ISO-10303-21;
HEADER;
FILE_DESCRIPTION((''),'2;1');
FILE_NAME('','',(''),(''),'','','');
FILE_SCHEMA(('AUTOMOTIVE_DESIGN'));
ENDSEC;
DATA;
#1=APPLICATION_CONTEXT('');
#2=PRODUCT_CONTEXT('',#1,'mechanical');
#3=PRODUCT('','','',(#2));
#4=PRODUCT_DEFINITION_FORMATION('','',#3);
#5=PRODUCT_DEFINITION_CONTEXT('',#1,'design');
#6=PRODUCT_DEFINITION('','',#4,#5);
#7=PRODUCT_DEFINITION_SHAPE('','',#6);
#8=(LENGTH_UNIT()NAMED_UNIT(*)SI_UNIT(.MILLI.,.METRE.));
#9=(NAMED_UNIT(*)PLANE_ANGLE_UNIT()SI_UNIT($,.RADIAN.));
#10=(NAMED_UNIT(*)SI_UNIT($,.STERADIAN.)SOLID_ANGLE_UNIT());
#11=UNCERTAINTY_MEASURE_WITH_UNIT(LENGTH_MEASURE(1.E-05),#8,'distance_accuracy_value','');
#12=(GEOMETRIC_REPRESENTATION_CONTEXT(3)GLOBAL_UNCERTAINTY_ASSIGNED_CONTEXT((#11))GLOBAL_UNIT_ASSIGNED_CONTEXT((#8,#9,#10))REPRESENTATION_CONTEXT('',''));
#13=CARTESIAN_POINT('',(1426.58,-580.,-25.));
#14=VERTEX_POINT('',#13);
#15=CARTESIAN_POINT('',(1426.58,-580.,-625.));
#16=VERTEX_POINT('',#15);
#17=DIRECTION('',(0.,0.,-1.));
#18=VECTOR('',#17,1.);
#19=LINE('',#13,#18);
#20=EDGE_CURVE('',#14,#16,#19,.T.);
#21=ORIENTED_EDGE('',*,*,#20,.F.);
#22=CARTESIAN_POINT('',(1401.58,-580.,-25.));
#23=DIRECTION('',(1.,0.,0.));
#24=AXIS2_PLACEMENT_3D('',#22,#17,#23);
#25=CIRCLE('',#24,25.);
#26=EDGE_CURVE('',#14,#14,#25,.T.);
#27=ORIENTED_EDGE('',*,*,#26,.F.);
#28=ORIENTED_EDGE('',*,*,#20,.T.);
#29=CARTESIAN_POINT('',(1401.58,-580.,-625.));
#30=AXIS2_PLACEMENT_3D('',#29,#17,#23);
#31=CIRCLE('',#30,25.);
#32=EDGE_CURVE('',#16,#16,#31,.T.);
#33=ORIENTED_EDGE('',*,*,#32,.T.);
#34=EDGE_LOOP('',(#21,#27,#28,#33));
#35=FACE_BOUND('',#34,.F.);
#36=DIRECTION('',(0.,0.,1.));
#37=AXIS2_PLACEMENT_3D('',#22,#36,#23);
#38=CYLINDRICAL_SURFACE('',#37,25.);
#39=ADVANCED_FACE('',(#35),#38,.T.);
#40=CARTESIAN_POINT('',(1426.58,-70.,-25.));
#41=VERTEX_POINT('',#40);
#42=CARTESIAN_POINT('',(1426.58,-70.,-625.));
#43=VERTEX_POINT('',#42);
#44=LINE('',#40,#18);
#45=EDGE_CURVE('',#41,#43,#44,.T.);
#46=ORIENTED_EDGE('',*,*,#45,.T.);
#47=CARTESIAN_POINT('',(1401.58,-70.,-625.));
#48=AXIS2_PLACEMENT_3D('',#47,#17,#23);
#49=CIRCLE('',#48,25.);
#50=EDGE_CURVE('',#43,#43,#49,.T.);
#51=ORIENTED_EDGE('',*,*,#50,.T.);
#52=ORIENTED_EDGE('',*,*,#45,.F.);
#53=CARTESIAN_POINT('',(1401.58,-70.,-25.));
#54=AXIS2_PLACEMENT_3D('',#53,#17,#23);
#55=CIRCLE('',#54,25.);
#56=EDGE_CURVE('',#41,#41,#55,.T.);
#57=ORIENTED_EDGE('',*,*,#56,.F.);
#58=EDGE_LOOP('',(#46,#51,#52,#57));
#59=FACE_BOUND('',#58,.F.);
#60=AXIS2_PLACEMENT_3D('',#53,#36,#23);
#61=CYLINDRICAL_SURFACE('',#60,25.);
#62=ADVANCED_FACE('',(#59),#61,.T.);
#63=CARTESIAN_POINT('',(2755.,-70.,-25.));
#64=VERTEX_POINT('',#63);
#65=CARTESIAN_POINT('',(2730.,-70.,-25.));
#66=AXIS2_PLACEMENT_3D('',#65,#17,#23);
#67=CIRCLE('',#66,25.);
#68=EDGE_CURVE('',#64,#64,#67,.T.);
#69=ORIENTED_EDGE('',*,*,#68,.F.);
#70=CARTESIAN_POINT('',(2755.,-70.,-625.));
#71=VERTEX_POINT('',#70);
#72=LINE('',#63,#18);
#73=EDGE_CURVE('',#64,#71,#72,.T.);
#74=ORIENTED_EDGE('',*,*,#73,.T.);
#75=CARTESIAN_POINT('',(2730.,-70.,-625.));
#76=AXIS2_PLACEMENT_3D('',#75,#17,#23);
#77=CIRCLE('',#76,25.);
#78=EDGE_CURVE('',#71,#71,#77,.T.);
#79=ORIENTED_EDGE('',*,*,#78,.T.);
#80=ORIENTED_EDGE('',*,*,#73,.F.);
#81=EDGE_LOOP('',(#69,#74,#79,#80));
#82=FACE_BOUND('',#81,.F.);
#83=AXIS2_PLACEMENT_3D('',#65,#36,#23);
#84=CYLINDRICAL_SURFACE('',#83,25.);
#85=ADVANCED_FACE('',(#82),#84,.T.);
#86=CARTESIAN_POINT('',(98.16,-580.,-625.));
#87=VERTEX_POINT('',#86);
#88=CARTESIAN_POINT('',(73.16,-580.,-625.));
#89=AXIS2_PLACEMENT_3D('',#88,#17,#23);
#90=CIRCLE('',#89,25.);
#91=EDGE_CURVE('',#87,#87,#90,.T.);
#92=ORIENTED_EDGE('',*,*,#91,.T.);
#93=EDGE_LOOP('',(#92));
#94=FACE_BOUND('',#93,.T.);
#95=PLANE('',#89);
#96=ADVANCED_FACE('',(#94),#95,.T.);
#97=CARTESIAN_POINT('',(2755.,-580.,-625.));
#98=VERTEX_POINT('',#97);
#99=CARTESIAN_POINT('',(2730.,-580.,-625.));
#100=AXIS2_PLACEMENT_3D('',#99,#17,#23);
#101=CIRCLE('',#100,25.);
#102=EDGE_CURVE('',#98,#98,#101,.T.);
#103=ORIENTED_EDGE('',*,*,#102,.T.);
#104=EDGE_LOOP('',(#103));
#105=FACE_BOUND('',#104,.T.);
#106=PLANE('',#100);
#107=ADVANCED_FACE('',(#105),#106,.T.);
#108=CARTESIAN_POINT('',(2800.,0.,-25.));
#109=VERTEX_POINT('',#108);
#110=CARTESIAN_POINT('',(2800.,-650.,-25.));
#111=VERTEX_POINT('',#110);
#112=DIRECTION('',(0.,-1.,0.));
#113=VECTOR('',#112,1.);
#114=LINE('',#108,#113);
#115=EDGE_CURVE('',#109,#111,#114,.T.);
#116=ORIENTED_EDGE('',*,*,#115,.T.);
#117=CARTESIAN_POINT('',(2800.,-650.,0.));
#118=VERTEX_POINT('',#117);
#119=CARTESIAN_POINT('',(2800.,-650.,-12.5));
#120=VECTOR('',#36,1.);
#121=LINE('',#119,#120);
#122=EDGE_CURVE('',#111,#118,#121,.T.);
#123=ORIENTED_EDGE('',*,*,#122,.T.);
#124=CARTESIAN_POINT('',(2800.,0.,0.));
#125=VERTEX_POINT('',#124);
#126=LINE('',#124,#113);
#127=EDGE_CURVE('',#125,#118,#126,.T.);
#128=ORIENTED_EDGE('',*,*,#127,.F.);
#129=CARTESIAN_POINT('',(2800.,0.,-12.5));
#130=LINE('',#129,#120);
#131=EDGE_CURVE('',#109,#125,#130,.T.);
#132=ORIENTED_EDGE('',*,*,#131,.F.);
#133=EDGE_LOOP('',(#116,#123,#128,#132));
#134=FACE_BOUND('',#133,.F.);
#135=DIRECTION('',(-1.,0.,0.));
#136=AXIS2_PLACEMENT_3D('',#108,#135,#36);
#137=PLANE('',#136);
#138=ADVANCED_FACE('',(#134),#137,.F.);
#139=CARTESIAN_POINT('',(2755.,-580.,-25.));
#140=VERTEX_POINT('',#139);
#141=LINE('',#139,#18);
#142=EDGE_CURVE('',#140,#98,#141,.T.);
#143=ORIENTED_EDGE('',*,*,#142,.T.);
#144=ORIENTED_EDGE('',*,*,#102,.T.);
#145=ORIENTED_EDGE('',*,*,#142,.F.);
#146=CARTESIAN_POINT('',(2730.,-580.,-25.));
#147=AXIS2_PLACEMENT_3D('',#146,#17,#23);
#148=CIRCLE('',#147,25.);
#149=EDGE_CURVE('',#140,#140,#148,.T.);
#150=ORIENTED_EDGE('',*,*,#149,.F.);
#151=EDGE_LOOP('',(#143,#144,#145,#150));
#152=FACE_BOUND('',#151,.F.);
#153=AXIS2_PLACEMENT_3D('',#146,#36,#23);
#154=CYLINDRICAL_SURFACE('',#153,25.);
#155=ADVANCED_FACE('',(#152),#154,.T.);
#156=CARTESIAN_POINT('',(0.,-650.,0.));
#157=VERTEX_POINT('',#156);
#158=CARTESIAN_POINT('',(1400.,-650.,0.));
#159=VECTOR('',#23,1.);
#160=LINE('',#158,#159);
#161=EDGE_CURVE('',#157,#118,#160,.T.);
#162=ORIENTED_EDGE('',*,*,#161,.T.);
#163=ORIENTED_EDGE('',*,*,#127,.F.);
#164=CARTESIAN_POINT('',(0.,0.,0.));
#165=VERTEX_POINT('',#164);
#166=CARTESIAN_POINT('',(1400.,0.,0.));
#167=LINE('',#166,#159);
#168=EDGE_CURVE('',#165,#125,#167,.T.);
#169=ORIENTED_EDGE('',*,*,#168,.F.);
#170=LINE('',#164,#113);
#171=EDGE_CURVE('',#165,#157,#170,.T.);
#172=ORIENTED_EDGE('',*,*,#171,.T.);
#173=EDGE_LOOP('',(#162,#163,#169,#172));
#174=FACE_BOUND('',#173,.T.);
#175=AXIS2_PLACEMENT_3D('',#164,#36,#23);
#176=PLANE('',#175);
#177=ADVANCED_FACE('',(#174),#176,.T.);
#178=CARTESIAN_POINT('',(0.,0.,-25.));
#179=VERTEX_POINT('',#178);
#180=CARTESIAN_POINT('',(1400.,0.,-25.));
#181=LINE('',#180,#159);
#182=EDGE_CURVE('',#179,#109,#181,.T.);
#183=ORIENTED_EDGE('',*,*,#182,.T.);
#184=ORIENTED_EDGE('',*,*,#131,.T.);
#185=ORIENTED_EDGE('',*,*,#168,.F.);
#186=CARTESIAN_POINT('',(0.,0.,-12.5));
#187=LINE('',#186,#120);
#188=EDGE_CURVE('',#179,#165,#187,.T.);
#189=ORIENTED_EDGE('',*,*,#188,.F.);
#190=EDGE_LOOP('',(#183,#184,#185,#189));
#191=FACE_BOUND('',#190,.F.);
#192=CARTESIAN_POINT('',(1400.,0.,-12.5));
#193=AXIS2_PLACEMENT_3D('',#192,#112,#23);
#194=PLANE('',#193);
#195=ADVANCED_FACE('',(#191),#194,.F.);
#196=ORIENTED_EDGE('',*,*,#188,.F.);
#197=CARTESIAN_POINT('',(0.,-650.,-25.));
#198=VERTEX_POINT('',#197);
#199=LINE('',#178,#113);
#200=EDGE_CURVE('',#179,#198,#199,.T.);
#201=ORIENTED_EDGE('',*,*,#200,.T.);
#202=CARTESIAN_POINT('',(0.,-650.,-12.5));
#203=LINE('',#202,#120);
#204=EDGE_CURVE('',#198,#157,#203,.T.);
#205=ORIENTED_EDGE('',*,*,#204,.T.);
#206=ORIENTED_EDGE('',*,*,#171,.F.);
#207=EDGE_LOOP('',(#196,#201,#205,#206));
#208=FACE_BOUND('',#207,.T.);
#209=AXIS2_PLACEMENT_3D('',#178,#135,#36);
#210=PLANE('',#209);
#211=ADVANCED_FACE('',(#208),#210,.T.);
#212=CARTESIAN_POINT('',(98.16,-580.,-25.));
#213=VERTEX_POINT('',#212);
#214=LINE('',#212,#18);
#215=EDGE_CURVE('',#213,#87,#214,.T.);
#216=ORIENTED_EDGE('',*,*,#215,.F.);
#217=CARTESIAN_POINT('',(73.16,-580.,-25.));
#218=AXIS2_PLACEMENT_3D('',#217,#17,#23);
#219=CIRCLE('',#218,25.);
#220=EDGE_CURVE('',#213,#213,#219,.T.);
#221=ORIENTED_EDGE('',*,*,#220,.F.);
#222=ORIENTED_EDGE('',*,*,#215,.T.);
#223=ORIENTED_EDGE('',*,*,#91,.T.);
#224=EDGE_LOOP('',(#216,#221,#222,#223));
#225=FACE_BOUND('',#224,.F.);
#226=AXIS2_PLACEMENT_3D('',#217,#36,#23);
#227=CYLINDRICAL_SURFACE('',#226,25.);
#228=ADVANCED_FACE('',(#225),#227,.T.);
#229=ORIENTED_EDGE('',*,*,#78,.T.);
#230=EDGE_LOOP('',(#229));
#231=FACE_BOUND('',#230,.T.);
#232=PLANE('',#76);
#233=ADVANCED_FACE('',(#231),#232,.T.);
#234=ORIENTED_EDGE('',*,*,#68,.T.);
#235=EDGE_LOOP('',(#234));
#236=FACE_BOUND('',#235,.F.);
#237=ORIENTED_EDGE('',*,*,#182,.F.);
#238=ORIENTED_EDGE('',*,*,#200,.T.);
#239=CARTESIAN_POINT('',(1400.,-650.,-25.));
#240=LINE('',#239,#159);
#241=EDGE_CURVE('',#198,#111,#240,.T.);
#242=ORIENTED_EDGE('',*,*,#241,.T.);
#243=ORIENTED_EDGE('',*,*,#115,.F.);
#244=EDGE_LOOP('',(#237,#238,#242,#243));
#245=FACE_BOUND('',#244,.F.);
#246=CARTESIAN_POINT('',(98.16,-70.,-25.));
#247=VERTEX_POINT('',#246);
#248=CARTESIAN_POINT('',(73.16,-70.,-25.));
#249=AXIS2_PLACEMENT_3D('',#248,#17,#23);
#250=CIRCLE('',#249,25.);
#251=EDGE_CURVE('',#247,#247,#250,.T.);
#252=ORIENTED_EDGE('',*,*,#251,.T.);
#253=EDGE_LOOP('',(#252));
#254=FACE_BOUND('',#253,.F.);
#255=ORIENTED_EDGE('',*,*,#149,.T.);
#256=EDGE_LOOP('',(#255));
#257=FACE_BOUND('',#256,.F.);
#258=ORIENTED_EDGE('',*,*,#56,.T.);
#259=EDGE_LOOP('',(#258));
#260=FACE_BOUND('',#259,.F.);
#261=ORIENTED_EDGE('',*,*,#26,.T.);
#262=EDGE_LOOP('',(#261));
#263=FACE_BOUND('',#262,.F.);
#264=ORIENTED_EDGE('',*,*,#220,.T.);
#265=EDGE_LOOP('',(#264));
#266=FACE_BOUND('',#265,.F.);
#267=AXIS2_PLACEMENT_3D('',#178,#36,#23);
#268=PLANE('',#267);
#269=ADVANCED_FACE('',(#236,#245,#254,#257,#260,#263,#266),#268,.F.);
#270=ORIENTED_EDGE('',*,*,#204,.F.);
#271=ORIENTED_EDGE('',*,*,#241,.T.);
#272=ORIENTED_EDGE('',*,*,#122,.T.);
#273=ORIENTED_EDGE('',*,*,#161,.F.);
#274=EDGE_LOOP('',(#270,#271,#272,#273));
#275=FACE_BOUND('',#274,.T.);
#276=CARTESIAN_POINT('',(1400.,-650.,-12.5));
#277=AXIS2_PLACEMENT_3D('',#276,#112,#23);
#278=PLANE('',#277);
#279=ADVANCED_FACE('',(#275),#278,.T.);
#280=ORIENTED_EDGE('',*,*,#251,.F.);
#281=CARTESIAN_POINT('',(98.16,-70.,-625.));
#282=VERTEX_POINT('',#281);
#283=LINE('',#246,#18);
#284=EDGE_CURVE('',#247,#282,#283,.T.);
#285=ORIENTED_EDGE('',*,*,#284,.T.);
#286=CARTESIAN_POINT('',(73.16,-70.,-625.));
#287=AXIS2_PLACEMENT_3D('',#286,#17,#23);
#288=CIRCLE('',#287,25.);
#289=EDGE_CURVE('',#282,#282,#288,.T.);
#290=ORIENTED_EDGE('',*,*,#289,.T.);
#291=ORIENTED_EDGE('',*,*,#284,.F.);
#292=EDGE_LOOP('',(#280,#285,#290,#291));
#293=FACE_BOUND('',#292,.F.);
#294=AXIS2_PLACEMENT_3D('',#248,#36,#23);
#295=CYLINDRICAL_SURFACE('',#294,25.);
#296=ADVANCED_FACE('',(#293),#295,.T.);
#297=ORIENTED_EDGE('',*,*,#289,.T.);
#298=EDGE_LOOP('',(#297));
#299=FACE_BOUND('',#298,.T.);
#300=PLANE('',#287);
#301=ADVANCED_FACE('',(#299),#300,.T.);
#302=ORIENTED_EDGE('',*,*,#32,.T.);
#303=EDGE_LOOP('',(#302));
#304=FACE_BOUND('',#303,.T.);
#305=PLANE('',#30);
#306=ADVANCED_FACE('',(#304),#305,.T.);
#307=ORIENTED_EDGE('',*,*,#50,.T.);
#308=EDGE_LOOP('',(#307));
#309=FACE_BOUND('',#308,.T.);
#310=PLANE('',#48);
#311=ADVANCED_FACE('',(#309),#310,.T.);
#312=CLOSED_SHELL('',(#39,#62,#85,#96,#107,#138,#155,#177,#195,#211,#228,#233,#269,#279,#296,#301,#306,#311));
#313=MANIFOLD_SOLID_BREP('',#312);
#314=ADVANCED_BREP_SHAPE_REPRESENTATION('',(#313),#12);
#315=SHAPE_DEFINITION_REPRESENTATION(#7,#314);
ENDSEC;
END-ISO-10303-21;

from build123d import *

# Parameters (mm, degrees)
F0_W     = 2800
F0_H     = 25
F1_DEPTH = 650
F2_R     = 25
F3_DEPTH = 600


with BuildPart() as f1:
    # F0 (on Front) → F1 (new body)
    with BuildSketch(Plane.XZ):
        with Locations((1400, -12.5)):
            Rectangle(F0_W, F0_H)
    extrude(amount=F1_DEPTH)

    # F2 (on face) → F3 (join)
    with BuildSketch(Plane(origin=(0, 0, -25), x_dir=(1, 0, 0), z_dir=(0, 0, -1))):
        with Locations((73.16, 70)):
            Circle(F2_R)
        with Locations((73.16, 580)):
            Circle(F2_R)
        with Locations((1401.58, 70)):
            Circle(F2_R)
        with Locations((1401.58, 580)):
            Circle(F2_R)
        with Locations((2730, 70)):
            Circle(F2_R)
        with Locations((2730, 580)):
            Circle(F2_R)
    extrude(amount=F3_DEPTH)


solid = f1.part
